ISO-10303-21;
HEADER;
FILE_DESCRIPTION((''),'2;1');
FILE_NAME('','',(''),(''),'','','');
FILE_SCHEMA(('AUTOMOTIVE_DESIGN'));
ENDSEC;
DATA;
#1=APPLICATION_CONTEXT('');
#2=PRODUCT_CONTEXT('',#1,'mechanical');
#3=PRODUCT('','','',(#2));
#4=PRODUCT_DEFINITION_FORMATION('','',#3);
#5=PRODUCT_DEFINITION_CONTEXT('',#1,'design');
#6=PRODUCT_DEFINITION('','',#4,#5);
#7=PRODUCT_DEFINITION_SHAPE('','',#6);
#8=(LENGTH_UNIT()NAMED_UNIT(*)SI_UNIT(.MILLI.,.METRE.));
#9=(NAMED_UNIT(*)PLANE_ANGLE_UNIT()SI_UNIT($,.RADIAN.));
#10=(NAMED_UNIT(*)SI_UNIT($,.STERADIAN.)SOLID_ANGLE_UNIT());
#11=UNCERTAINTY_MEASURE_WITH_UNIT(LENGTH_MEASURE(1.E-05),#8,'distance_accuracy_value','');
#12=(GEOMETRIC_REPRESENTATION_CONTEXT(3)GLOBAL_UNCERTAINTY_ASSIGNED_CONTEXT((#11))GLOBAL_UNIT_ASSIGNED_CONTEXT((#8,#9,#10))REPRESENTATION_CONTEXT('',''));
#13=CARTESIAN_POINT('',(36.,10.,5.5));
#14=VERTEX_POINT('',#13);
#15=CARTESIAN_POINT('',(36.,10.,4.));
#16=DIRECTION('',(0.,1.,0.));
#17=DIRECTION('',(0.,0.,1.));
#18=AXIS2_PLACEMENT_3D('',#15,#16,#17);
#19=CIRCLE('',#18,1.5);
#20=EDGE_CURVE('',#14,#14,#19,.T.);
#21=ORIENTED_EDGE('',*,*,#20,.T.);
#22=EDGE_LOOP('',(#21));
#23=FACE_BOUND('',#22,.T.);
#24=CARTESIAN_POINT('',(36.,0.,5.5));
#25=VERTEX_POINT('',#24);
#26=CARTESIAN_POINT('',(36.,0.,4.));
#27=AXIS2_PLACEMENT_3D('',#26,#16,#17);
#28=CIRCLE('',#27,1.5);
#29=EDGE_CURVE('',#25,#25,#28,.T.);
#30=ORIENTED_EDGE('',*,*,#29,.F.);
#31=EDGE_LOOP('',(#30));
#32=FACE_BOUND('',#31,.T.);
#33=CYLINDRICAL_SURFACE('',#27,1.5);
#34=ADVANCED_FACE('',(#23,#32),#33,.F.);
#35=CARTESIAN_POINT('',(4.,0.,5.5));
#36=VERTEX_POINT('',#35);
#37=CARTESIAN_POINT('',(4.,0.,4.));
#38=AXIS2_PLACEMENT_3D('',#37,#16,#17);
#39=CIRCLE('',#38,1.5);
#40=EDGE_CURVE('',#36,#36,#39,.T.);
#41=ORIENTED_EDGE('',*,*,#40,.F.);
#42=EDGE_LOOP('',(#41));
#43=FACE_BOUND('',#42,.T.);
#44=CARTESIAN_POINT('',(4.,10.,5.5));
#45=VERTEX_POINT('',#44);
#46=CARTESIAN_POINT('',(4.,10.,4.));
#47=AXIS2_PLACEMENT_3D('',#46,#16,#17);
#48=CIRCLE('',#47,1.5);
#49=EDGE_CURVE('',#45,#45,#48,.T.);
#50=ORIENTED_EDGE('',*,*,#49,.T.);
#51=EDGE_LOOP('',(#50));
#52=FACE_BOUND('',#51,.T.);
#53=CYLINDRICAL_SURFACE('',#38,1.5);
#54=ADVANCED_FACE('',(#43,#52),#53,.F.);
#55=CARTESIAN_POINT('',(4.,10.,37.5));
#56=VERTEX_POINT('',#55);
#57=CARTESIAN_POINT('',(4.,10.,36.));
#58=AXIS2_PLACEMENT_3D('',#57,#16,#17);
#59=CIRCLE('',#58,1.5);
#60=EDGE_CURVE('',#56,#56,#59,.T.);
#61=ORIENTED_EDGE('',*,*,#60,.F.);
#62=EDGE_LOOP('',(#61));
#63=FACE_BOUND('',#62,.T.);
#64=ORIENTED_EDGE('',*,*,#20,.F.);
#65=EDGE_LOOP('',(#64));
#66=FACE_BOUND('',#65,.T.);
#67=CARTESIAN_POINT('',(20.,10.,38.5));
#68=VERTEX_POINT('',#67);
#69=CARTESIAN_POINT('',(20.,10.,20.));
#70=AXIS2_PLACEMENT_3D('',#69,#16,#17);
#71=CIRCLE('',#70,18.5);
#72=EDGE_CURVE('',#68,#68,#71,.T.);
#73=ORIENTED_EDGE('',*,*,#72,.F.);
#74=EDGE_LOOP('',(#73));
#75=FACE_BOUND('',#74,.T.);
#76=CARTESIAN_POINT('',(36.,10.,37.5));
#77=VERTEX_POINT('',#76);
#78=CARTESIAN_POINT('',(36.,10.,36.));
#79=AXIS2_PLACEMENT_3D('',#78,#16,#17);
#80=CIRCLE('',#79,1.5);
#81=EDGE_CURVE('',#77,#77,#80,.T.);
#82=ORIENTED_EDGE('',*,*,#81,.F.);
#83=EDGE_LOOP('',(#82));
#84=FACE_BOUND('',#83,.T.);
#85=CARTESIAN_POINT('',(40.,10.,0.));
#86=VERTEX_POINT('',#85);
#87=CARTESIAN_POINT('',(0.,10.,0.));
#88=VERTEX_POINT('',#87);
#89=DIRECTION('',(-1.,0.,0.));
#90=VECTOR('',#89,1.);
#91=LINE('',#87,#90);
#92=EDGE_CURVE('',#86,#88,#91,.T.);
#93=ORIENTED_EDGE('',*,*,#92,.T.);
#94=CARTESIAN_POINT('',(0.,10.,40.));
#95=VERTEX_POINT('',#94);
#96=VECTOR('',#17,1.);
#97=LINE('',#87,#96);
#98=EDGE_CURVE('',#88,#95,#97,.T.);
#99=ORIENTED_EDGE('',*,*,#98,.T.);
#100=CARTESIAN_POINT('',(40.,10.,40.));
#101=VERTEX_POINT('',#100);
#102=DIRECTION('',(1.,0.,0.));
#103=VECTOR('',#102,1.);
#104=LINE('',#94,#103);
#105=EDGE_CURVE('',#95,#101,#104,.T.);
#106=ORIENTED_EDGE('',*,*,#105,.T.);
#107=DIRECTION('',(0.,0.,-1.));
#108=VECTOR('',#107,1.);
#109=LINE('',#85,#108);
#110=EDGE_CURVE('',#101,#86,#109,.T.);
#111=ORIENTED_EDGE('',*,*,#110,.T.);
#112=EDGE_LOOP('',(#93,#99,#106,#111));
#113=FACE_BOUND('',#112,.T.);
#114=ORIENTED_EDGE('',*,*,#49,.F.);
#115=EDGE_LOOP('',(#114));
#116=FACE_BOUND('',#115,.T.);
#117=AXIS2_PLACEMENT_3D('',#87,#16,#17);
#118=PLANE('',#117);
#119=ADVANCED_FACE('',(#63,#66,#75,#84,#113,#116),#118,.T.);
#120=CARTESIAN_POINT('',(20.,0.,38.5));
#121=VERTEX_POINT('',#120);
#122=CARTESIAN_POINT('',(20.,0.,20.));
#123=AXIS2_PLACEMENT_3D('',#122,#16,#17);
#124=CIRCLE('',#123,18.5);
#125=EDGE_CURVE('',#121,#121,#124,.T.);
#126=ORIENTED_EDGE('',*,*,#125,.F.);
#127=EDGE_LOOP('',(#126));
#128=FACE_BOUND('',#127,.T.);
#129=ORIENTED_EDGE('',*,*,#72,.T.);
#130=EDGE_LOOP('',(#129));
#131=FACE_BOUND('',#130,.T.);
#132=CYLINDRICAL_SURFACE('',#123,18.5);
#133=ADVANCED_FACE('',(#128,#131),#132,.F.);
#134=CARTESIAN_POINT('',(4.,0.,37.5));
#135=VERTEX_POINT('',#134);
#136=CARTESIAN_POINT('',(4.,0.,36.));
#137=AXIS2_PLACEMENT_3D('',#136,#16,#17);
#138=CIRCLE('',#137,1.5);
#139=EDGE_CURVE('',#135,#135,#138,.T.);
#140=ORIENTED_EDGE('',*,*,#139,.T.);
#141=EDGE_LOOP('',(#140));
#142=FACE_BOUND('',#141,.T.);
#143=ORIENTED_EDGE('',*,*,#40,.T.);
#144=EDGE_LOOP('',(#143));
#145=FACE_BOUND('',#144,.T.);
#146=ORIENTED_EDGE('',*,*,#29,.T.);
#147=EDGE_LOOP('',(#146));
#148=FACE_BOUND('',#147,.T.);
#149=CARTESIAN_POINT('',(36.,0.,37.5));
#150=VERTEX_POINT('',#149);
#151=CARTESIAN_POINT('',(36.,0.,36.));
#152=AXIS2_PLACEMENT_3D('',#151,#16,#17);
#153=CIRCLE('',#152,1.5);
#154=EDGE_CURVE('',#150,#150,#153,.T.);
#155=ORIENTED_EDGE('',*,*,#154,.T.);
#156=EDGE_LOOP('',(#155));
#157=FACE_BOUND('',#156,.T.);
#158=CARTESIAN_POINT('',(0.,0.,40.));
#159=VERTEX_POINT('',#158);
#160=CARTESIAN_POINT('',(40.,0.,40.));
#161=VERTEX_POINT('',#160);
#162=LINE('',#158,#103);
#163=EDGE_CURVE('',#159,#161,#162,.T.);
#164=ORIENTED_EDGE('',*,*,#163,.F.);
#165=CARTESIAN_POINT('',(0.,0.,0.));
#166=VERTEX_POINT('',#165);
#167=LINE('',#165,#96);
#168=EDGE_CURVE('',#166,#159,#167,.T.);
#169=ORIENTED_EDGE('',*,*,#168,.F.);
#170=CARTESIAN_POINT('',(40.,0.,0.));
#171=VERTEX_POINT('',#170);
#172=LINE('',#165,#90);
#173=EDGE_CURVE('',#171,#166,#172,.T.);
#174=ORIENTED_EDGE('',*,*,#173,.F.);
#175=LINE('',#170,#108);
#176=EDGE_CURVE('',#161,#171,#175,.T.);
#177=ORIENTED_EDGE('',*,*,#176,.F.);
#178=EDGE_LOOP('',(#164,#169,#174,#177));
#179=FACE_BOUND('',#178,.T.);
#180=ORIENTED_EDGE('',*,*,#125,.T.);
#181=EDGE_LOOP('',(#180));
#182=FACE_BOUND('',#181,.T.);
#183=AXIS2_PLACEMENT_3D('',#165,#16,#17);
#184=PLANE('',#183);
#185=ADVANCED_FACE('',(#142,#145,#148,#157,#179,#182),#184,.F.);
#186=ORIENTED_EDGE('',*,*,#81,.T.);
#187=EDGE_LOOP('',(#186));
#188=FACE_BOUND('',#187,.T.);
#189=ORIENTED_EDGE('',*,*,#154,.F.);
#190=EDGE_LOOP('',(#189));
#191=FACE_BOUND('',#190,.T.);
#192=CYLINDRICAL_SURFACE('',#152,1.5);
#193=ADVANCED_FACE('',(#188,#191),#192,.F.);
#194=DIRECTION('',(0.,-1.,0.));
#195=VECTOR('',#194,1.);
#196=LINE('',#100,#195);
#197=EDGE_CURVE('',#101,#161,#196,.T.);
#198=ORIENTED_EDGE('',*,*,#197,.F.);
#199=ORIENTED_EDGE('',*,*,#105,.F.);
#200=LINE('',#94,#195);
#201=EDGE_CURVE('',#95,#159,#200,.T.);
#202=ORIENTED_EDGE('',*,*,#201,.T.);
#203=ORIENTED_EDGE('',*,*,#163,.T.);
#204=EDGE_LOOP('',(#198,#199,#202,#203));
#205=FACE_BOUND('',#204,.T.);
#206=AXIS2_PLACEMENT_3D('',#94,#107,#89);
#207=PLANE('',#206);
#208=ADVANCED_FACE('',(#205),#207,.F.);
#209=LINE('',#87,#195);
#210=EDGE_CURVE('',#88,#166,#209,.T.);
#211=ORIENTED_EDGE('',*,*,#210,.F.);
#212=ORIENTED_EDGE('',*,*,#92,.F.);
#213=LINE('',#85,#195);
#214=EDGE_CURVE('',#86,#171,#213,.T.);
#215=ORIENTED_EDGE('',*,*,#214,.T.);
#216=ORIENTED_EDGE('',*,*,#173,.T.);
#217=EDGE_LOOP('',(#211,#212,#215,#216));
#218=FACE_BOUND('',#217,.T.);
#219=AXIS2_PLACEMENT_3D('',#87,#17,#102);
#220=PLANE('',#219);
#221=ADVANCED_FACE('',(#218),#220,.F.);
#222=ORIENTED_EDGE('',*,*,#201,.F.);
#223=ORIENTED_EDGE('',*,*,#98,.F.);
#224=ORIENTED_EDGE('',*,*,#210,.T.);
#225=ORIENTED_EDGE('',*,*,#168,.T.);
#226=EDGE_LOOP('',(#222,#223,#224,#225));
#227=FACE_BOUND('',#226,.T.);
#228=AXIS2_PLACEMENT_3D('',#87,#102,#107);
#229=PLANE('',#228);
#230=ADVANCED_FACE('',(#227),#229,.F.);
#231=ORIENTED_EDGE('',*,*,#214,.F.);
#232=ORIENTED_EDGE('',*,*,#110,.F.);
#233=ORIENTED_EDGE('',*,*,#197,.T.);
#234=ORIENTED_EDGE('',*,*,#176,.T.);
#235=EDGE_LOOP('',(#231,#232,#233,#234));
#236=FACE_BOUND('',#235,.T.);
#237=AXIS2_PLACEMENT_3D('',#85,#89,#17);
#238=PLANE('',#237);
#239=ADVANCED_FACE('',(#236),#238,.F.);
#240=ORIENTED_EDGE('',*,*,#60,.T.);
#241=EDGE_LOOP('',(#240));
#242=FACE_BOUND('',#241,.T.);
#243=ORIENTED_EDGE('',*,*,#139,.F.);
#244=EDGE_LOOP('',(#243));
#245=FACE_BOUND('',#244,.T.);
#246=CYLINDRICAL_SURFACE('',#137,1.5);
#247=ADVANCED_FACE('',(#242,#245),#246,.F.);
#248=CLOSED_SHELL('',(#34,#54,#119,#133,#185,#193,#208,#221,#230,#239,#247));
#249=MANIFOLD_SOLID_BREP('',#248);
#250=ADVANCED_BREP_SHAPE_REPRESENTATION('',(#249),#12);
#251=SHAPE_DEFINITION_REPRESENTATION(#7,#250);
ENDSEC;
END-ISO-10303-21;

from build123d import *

# Parameters (mm, degrees)
SKETCH1_W           = 40
SKETCH1_H           = 40
BOSS_EXTRUDE1_DEPTH = 10
SKETCH2_R           = 1.5
CUT_EXTRUDE1_DEPTH  = 58.445626465
SKETCH3_R           = 18.5
CUT_EXTRUDE2_DEPTH  = 10


with BuildPart() as part:
    # Sketch1 → Boss-Extrude1 (new body)
    with BuildSketch(Plane(origin=(0, 0, 0), x_dir=(1, 0, 0), z_dir=(0, 1, 0))):
        with Locations((20, -20)):
            Rectangle(SKETCH1_W, SKETCH1_H)
    extrude(amount=BOSS_EXTRUDE1_DEPTH)

    # Sketch2 → Cut-Extrude1 (cut, through all)
    with BuildSketch(Plane(origin=(0, 10, 0), x_dir=(1, 0, 0), z_dir=(0, 1, 0))):
        with Locations(Location((4, -36, 0), (0, 0, 270))):
            Circle(SKETCH2_R)
        with Locations(Location((36, -36, 0), (0, 0, 270))):
            Circle(SKETCH2_R)
        with Locations(Location((36, -4, 0), (0, 0, 270))):
            Circle(SKETCH2_R)
        with Locations(Location((4, -4, 0), (0, 0, 270))):
            Circle(SKETCH2_R)
    extrude(amount=-CUT_EXTRUDE1_DEPTH, mode=Mode.SUBTRACT)

    # Sketch3 → Cut-Extrude2 (cut)
    with BuildSketch(Plane(origin=(0, 10, 0), x_dir=(1, 0, 0), z_dir=(0, 1, 0))):
        with Locations(Location((20, -20, 0), (0, 0, 270))):
            Circle(SKETCH3_R)
    extrude(amount=-CUT_EXTRUDE2_DEPTH, mode=Mode.SUBTRACT)


solid = part.part
